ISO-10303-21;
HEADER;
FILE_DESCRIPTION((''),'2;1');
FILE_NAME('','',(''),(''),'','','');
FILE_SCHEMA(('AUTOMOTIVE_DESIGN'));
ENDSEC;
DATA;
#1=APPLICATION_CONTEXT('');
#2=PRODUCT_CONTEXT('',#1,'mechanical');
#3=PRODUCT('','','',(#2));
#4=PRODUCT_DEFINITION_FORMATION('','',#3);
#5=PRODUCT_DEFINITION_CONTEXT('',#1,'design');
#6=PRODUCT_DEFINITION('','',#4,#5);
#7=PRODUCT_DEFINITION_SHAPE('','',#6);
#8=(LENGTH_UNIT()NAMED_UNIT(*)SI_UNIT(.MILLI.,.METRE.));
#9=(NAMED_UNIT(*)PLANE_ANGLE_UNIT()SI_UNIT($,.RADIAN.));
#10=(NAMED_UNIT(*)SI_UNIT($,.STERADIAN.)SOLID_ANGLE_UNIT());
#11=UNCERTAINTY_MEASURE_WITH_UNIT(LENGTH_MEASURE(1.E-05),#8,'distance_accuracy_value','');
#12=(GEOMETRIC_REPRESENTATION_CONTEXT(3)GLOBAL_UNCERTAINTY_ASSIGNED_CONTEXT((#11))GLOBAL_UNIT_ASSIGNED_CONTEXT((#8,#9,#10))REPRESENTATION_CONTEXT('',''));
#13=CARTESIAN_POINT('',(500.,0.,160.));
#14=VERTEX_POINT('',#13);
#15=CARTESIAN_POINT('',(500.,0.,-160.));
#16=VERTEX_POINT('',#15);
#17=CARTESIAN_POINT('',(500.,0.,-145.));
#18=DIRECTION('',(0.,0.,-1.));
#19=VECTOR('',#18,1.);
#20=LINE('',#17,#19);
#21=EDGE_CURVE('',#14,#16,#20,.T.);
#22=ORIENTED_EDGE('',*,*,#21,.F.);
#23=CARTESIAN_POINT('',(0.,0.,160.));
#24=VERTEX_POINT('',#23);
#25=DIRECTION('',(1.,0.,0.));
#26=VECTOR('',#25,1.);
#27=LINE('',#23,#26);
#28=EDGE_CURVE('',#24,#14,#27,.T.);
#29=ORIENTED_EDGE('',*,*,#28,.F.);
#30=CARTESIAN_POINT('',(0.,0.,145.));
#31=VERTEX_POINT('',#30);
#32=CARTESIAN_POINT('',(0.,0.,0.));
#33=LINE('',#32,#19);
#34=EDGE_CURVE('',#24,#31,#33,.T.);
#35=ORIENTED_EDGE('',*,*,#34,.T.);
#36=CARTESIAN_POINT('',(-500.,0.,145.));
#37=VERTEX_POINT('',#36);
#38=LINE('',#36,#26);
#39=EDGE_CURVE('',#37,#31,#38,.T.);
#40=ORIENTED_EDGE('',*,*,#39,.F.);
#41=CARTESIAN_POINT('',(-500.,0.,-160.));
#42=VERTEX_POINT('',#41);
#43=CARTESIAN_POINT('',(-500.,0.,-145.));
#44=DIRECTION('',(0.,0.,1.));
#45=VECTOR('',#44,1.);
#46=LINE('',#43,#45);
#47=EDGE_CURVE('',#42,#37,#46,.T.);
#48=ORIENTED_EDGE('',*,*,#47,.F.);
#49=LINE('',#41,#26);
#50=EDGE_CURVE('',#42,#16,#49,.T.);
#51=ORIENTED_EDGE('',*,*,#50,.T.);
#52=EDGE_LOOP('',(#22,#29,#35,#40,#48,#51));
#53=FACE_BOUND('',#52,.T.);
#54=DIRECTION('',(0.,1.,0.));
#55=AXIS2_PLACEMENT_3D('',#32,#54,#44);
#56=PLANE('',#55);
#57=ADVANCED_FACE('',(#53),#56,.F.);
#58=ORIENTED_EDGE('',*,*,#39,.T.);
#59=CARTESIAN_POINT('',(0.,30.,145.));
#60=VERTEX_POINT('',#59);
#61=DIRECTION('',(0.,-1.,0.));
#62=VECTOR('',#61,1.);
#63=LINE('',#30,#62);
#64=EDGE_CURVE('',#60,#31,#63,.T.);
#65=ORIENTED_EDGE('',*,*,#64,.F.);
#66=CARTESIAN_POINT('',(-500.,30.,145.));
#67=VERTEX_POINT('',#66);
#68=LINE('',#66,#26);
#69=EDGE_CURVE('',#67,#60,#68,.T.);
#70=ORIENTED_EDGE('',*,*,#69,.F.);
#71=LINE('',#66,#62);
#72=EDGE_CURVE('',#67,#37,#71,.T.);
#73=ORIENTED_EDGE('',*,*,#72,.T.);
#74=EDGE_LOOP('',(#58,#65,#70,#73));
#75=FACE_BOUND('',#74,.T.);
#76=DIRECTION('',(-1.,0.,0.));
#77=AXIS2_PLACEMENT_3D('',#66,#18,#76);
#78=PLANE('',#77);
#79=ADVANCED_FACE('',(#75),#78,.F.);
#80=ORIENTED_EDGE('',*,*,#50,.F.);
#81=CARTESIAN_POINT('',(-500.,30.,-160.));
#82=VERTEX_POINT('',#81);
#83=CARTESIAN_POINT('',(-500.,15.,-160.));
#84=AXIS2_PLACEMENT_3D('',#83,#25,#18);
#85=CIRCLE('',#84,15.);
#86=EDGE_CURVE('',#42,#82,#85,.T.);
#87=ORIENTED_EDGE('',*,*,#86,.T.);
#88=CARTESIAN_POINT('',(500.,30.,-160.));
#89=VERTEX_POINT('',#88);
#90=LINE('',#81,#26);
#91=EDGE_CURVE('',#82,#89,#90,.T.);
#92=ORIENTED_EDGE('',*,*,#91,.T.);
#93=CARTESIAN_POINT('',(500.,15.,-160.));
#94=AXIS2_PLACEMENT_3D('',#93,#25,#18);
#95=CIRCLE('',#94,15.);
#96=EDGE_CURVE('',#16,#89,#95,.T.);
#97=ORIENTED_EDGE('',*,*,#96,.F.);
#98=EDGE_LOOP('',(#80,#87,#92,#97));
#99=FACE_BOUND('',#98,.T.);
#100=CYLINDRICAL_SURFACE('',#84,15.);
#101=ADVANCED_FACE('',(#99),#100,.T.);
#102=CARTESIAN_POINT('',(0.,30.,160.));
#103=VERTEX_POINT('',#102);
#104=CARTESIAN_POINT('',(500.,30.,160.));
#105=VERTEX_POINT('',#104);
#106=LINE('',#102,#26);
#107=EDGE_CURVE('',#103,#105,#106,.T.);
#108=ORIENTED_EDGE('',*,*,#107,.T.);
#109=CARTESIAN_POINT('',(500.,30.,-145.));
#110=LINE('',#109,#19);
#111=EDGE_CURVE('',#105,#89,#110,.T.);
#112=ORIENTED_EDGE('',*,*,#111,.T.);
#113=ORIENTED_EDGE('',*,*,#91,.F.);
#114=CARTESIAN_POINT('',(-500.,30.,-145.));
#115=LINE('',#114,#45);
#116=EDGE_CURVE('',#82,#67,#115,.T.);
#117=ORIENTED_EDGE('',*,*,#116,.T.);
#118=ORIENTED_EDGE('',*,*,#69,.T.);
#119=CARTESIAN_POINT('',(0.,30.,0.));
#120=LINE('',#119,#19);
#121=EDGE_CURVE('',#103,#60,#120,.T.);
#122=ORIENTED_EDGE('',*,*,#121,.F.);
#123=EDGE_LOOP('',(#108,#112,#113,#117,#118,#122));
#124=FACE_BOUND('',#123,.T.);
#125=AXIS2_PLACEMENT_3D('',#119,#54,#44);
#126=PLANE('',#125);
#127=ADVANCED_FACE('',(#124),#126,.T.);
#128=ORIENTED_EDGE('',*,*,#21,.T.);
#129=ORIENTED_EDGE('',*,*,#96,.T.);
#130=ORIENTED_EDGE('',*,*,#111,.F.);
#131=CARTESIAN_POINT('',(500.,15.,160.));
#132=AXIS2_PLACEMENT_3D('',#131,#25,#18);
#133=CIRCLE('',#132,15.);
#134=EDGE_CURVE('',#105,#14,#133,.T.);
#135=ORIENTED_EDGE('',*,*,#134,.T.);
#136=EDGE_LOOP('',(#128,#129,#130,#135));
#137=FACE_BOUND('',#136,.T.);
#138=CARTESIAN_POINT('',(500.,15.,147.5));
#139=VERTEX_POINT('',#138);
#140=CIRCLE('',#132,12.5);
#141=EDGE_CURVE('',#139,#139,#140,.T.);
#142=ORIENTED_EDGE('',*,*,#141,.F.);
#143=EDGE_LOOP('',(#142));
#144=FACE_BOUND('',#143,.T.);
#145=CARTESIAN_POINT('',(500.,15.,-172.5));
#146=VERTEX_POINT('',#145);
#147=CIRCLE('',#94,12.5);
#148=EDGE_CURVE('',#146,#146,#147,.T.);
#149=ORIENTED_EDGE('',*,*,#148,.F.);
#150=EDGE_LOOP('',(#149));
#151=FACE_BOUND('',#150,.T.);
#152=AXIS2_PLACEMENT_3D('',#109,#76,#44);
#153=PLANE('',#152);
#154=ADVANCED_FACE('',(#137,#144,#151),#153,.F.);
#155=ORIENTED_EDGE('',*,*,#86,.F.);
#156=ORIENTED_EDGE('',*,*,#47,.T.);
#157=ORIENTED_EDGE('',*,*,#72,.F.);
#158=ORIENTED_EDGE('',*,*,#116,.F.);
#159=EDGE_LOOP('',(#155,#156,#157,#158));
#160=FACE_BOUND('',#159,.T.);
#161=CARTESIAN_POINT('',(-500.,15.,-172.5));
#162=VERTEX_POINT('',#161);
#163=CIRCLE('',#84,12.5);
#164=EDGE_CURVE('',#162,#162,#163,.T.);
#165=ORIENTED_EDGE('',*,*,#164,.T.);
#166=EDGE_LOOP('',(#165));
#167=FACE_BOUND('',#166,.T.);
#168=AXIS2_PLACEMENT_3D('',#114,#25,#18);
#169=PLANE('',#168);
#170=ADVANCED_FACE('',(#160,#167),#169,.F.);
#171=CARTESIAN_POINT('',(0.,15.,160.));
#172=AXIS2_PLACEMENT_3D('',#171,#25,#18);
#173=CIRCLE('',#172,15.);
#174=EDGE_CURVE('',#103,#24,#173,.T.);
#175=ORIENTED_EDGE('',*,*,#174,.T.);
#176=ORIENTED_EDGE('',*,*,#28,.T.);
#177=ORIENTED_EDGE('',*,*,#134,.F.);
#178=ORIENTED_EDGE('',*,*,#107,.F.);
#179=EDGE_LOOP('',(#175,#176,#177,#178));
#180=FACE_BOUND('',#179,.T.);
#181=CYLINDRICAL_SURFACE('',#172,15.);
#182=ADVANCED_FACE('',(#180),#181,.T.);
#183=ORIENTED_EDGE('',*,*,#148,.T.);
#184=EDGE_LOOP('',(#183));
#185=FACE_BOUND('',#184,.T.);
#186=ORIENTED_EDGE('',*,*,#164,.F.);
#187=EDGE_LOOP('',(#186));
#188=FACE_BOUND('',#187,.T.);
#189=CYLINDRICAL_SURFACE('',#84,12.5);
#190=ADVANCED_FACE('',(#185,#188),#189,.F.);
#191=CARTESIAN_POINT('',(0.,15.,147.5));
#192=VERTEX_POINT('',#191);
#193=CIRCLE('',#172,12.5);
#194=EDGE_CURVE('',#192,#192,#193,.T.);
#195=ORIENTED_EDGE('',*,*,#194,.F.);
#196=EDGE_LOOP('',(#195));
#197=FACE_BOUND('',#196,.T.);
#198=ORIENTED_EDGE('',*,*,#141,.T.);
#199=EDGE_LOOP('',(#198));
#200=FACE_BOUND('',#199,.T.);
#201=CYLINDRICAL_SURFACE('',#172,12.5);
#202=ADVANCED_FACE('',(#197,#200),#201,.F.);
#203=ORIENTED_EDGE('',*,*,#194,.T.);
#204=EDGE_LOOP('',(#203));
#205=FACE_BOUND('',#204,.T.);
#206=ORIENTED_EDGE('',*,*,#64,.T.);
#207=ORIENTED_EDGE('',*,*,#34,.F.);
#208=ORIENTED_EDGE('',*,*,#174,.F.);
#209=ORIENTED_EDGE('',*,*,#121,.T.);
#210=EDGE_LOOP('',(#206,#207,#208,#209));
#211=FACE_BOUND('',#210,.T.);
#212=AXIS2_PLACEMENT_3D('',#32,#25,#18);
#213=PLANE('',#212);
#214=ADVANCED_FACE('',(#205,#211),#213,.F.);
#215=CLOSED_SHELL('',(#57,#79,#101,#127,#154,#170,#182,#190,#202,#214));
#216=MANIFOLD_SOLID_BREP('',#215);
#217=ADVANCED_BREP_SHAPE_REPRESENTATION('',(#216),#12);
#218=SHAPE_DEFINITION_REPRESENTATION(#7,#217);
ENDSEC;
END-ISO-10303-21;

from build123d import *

# Parameters (mm, degrees)
SKETCH1_W           = 1000
SKETCH1_H           = 290
BOSS_EXTRUDE1_DEPTH = 30
SKETCH2_R           = 15
SKETCH2_R_2         = 12.5
BOSS_EXTRUDE2_DEPTH = 500
SKETCH3_R           = 15
SKETCH3_R_2         = 12.5
BOSS_EXTRUDE3_DEPTH = 1000


with BuildPart() as part:
    # Sketch1 → Boss-Extrude1 (new body)
    with BuildSketch(Plane(origin=(0, 0, 0), x_dir=(1, 0, 0), z_dir=(0, 1, 0))):
        Rectangle(SKETCH1_W, SKETCH1_H)
    extrude(amount=BOSS_EXTRUDE1_DEPTH)

    # Sketch2 → Boss-Extrude2 (add)
    with BuildSketch(Plane(origin=(500, 0, 0), x_dir=(0, 0, -1), z_dir=(1, 0, 0))):
        with BuildLine():
            Line((-145, 30), (-160, 30))
            ThreePointArc((-160, 30), (-149.393398282, 25.606601718), (-145, 15))
            Line((-145, 15), (-145, 30))
        make_face()
        with BuildLine():
            Line((-145, 0), (-145, 15))
            ThreePointArc((-145, 15), (-149.393398282, 4.393398282), (-160, 0))
            Line((-160, 0), (-145, 0))
        make_face()
        with Locations((-160, 15)):
            Circle(SKETCH2_R)
        with Locations((-160, 15)):
            Circle(SKETCH2_R_2, mode=Mode.SUBTRACT)
    extrude(amount=-BOSS_EXTRUDE2_DEPTH)

    # Sketch3 → Boss-Extrude3 (add)
    with BuildSketch(Plane(origin=(500, 0, 0), x_dir=(0, 0, -1), z_dir=(1, 0, 0))):
        with BuildLine():
            ThreePointArc((145, 15), (149.393398282, 25.606601718), (160, 30))
            Line((160, 30), (145, 30))
            Line((145, 30), (145, 15))
        make_face()
        with Locations((160, 15)):
            Circle(SKETCH3_R)
        with Locations((160, 15)):
            Circle(SKETCH3_R_2, mode=Mode.SUBTRACT)
        with BuildLine():
            ThreePointArc((160, 0), (149.393398282, 4.393398282), (145, 15))
            Line((145, 15), (145, 0))
            Line((145, 0), (160, 0))
        make_face()
    extrude(amount=-BOSS_EXTRUDE3_DEPTH)


solid = part.part
